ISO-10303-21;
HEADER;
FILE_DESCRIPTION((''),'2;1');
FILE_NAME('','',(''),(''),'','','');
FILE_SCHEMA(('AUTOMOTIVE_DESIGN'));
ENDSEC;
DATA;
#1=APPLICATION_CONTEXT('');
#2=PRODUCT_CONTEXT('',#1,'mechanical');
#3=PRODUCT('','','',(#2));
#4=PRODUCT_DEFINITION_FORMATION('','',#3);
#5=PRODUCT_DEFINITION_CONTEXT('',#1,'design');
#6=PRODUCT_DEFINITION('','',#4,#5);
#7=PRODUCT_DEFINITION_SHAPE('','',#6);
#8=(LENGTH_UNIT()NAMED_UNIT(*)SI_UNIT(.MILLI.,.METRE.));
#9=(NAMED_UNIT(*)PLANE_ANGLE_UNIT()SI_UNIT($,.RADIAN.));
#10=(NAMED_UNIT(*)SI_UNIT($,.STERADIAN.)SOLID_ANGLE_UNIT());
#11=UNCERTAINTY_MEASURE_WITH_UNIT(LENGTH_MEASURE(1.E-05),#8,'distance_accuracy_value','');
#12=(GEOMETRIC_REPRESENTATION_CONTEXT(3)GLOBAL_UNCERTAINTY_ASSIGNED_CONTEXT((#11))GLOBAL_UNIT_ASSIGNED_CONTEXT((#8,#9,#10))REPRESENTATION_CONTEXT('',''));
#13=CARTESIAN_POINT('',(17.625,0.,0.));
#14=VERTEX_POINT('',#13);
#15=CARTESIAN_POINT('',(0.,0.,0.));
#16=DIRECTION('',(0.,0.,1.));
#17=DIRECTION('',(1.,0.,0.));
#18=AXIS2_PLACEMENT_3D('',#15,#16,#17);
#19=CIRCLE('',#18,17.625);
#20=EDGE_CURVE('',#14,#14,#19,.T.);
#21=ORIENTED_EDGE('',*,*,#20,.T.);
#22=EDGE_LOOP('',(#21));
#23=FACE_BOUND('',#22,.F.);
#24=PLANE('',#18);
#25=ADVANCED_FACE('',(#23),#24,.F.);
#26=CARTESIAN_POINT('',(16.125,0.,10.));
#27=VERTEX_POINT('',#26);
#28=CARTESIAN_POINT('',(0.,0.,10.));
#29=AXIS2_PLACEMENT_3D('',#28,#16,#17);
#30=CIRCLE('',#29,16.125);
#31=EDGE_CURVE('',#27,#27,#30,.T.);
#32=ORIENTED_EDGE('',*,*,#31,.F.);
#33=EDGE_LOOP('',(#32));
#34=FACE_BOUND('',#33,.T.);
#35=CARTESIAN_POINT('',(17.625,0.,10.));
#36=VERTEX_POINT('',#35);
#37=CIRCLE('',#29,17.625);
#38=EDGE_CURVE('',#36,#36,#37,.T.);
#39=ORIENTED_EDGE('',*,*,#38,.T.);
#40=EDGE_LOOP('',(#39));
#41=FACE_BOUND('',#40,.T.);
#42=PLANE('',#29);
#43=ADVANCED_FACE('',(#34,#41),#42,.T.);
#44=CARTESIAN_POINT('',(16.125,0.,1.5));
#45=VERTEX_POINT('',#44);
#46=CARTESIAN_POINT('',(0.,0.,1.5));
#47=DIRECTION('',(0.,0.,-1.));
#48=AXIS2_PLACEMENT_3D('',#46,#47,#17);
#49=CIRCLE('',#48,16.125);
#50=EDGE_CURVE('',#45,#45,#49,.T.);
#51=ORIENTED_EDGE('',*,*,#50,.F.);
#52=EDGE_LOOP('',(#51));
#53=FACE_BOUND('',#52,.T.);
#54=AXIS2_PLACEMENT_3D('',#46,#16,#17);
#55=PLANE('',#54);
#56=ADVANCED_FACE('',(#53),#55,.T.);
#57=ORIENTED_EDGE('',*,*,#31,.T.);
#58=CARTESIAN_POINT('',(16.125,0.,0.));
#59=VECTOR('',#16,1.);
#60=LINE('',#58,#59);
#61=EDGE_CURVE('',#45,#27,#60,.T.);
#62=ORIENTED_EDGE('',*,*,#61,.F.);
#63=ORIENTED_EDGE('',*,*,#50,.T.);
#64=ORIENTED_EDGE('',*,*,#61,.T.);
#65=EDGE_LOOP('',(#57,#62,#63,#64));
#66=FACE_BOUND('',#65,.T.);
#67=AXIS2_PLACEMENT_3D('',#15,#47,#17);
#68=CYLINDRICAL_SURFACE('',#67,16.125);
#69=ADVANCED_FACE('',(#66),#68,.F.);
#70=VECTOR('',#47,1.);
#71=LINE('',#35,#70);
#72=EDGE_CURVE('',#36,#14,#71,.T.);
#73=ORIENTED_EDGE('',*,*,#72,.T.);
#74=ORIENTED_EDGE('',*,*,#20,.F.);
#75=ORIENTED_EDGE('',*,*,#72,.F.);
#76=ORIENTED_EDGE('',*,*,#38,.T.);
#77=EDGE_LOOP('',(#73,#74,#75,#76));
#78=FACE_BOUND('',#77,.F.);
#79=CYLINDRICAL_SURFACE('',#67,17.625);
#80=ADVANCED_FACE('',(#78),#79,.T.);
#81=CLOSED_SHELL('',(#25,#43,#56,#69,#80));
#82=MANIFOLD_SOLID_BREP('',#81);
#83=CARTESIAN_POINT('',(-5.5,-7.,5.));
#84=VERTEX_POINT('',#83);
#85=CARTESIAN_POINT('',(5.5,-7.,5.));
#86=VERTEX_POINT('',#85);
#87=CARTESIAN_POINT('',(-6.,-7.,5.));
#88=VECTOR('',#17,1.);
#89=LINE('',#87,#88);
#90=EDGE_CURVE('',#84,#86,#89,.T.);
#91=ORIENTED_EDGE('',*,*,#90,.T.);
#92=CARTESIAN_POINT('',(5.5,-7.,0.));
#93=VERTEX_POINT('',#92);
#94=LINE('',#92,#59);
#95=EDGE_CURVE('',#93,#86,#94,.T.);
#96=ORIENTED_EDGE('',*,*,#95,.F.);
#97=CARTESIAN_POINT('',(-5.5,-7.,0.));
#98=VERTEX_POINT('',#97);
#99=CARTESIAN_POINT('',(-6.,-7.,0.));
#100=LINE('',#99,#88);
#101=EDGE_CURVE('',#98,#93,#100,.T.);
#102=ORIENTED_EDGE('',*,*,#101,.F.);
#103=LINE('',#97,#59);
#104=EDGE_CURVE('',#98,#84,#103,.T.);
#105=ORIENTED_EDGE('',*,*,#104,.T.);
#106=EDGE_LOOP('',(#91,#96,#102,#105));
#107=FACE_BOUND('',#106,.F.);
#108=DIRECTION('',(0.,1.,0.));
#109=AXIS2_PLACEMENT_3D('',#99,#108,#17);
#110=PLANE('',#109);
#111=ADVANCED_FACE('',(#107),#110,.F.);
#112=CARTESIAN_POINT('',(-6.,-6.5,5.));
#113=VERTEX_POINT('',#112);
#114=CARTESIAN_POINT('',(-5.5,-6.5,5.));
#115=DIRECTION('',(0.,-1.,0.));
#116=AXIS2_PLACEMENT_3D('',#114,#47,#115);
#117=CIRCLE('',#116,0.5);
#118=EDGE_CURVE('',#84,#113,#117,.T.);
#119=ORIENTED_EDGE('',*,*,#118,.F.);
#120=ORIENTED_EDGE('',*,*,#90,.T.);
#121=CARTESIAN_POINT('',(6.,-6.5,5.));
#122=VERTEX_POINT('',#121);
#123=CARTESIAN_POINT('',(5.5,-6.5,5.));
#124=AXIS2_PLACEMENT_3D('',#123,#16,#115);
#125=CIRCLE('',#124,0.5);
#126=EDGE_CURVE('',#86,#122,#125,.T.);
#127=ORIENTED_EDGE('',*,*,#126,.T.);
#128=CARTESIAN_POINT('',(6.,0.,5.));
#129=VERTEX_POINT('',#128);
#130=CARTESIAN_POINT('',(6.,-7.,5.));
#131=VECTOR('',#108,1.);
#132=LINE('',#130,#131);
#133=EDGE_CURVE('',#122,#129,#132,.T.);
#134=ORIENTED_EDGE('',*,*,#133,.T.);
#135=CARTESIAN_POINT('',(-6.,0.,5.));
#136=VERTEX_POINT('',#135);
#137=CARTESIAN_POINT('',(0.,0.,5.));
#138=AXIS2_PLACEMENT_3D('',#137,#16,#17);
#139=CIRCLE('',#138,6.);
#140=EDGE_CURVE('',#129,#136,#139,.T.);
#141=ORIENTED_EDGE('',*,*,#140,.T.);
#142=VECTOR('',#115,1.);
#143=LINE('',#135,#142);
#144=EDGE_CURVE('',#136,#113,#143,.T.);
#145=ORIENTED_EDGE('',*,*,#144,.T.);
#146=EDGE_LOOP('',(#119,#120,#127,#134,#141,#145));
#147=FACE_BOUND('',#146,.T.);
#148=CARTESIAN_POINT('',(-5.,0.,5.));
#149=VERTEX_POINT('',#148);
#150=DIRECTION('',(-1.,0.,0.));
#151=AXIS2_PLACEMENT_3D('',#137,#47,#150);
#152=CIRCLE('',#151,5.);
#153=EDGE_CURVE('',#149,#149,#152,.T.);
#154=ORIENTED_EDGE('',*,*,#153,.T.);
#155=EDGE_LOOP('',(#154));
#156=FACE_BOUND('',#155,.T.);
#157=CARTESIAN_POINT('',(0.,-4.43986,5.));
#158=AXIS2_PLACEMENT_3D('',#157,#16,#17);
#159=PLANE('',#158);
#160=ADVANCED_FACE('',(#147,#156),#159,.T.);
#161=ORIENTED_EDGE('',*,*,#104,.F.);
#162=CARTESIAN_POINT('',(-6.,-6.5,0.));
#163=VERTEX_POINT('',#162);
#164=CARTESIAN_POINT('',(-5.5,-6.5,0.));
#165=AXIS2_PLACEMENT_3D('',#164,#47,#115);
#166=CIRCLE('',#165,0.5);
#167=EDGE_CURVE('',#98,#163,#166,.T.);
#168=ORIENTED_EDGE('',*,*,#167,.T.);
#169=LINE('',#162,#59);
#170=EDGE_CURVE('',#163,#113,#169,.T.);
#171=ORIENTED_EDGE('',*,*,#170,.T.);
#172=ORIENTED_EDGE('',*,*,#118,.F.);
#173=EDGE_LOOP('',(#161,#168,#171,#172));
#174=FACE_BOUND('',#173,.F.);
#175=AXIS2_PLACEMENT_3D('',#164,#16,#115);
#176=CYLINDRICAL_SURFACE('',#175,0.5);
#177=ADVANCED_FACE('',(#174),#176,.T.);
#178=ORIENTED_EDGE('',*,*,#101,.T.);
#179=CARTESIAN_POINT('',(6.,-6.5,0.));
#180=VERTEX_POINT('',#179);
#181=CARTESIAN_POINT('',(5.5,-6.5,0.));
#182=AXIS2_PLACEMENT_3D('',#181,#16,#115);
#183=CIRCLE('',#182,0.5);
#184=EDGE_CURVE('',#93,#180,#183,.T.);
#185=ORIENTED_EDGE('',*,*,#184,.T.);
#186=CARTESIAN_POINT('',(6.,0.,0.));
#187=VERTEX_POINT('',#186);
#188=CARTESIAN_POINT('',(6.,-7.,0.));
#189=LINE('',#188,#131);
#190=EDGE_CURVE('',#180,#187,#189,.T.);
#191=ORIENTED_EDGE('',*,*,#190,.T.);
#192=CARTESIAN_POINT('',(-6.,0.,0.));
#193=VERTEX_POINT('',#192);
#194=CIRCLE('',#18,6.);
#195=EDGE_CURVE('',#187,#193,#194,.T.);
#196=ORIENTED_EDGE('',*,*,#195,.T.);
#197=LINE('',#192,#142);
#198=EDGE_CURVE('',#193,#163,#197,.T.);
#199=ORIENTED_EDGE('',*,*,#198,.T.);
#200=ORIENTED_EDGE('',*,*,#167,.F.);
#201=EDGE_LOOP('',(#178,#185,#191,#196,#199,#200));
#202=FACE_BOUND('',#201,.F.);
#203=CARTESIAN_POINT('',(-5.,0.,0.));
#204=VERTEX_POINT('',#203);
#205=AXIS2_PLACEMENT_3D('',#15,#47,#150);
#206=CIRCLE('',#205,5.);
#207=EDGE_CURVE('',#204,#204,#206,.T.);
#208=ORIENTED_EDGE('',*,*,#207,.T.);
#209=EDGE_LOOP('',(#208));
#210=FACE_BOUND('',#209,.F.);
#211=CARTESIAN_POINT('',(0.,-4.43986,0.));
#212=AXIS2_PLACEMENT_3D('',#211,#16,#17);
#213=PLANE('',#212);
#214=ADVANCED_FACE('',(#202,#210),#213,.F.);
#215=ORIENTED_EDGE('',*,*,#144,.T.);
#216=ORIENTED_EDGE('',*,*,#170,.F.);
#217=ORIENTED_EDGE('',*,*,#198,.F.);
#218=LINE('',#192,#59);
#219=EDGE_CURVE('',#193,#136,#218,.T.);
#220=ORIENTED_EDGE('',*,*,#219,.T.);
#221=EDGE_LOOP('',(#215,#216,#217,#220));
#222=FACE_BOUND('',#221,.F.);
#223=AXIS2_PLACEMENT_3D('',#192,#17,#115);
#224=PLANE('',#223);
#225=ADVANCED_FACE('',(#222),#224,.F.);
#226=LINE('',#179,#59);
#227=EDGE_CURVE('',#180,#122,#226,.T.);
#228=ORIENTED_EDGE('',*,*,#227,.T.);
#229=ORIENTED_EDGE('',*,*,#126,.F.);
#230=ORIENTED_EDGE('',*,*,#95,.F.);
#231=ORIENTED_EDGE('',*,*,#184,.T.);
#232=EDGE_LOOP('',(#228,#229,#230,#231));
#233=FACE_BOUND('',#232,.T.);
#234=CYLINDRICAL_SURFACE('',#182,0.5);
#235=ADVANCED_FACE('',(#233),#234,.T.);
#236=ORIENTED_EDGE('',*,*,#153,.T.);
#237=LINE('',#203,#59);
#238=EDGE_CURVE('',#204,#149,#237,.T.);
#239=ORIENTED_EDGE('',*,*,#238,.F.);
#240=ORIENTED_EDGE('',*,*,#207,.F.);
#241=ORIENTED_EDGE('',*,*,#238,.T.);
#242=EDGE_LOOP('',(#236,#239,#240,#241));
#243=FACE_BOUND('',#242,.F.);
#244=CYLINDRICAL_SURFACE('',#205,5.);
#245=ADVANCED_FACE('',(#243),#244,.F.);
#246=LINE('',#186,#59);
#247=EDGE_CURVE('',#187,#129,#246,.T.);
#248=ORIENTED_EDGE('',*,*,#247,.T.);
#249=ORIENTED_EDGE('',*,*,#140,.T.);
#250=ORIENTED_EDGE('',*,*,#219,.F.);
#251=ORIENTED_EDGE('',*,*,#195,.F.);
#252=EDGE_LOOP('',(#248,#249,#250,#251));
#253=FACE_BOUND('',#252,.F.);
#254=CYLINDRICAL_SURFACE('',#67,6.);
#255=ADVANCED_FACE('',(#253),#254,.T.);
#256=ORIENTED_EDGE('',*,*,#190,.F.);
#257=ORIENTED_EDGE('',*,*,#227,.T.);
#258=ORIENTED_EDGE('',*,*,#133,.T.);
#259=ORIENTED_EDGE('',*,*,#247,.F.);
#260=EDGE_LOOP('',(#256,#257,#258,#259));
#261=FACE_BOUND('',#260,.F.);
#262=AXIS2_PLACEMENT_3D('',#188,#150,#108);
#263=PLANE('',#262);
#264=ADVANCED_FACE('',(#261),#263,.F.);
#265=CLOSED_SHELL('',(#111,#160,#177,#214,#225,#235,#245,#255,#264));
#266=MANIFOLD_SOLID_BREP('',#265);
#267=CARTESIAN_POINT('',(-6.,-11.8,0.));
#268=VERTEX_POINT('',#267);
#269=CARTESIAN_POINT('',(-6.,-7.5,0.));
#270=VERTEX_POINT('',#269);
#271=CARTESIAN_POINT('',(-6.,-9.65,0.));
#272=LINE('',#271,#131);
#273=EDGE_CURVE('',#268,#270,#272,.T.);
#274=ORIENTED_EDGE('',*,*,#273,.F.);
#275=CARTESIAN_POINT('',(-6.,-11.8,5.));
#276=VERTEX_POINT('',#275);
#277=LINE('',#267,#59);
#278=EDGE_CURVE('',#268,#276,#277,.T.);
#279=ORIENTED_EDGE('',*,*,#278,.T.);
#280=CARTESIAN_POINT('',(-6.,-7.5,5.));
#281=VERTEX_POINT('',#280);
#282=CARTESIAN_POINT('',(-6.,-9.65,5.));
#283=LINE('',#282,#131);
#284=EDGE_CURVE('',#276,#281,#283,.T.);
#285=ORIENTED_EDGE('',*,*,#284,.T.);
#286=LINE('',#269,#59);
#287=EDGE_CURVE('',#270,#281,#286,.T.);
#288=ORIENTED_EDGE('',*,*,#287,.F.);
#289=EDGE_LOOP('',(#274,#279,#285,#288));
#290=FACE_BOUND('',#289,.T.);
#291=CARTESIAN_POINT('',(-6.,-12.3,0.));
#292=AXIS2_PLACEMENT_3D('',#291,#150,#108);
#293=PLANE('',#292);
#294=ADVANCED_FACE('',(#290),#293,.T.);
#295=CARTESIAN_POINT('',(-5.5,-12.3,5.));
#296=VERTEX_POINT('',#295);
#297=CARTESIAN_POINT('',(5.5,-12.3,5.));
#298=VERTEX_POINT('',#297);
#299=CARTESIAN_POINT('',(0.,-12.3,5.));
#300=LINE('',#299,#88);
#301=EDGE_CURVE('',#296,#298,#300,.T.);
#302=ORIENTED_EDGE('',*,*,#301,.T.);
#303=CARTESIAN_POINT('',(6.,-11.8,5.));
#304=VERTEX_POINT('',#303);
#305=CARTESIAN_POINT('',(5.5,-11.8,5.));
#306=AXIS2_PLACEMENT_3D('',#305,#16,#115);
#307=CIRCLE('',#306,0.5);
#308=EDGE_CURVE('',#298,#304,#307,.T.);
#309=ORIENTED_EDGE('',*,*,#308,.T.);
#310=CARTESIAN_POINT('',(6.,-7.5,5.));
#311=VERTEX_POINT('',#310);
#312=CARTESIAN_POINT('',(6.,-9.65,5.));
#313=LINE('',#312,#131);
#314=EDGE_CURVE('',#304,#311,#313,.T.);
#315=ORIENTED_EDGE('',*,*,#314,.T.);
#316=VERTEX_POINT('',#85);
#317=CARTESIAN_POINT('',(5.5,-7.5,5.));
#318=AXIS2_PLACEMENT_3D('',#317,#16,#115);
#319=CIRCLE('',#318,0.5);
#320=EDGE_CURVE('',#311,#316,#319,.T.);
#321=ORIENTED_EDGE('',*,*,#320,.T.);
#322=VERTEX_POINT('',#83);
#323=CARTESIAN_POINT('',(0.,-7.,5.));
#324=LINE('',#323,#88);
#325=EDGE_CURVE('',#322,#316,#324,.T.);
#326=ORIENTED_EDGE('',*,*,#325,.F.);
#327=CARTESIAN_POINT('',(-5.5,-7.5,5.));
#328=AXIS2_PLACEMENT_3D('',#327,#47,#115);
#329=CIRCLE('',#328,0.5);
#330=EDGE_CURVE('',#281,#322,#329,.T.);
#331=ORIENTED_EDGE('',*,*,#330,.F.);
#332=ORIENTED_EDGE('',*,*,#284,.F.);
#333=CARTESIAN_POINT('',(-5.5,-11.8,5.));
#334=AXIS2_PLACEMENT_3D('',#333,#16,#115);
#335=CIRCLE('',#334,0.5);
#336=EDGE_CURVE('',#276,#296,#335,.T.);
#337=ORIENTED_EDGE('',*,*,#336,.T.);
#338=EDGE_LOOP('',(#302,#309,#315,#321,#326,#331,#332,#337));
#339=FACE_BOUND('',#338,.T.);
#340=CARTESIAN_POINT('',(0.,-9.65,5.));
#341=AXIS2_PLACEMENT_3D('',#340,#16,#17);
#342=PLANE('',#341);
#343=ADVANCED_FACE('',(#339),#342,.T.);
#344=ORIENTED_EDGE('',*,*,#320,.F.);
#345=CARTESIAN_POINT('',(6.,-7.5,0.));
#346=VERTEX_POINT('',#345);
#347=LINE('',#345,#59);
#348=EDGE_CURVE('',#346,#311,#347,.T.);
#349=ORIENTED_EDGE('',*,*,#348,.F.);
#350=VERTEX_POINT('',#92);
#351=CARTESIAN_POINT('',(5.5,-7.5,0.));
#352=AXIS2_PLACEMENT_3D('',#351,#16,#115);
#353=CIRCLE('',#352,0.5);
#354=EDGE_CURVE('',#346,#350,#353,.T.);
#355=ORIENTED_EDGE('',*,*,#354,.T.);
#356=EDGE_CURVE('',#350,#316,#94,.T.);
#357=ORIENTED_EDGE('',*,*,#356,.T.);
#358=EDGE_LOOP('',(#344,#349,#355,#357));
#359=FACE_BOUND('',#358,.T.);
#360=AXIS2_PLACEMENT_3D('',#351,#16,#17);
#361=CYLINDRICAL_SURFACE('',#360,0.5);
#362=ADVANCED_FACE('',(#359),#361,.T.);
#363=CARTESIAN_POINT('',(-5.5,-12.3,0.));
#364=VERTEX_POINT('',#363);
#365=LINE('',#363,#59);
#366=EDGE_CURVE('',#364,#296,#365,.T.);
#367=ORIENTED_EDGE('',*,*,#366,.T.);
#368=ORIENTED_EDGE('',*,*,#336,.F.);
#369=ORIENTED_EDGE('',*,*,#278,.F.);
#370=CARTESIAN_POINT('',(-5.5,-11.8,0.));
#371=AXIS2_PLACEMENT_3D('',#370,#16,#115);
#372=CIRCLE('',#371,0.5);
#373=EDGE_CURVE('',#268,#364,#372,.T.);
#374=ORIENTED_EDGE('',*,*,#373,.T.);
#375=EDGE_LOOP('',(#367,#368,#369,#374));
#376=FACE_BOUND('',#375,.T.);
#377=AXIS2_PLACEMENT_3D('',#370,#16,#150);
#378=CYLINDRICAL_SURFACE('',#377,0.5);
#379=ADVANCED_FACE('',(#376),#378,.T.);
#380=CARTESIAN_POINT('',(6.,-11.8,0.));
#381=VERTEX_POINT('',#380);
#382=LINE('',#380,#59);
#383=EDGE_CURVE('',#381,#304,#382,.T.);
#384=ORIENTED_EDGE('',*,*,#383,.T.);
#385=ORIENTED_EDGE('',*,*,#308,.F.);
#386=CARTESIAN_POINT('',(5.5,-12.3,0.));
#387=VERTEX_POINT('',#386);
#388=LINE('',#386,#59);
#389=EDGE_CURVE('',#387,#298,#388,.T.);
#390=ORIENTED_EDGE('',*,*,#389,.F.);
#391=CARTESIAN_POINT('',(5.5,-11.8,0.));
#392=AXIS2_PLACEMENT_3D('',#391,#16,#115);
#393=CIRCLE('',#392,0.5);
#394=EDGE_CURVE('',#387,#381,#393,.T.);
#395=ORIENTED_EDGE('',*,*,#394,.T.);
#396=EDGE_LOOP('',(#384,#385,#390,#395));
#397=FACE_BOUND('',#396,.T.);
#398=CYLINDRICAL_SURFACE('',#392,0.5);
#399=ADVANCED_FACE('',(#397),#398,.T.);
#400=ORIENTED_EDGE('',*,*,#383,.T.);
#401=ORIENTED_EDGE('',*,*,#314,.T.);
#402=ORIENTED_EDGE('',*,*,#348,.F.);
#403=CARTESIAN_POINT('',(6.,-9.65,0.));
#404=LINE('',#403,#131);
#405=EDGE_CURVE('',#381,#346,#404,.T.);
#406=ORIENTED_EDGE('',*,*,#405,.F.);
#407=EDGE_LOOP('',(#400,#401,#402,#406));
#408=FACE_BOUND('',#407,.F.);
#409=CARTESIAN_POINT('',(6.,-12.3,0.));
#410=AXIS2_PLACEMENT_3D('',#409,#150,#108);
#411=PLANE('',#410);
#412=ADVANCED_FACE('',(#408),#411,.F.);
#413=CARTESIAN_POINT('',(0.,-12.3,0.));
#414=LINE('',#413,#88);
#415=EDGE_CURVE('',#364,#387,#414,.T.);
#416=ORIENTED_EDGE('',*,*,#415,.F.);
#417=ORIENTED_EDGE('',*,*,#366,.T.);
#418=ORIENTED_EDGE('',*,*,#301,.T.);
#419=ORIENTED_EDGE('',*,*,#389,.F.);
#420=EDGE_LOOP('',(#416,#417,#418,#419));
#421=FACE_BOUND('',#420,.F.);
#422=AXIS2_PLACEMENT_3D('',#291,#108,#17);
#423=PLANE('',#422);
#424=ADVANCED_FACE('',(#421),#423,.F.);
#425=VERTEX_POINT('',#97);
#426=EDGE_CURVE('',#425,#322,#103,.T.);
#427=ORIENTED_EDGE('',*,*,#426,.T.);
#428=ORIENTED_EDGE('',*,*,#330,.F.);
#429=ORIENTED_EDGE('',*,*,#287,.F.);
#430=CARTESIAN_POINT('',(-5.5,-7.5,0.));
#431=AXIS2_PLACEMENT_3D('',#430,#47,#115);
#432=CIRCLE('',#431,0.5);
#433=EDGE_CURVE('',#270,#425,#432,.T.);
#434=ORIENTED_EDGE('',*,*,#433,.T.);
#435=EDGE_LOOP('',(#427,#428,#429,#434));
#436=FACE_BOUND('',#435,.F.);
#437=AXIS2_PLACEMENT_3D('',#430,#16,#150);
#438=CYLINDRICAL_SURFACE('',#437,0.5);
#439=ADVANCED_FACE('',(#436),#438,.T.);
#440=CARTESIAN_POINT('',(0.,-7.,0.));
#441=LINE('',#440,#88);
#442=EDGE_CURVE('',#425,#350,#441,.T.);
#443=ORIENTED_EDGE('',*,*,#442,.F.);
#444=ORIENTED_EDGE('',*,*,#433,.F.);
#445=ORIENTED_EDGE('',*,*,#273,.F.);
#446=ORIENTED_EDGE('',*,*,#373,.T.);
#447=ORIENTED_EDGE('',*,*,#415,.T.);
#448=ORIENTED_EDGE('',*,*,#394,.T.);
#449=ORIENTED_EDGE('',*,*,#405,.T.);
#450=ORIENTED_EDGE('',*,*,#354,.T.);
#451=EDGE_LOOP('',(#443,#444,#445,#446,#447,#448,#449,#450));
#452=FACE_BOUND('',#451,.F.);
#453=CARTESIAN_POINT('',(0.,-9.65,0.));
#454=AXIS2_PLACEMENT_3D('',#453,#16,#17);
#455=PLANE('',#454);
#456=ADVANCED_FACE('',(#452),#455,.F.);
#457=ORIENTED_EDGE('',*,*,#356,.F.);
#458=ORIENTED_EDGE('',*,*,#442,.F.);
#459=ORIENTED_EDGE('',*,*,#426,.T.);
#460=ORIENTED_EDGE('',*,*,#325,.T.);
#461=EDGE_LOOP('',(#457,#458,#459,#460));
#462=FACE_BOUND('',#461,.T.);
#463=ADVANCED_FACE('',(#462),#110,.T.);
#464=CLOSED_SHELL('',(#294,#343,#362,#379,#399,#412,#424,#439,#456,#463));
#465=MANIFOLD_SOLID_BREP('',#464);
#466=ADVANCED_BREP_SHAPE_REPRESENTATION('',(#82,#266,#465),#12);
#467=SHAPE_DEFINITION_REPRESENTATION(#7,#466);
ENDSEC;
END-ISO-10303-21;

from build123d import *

# Parameters (mm, degrees)
F0_R     = 17.625
F0_R_2   = 16.125
F1_DEPTH = 1.5
F2_DEPTH = 10
F4_DEPTH = 5
F3_W     = 12
F3_H     = 5.3
F5_DEPTH = 5
F6_R     = 0.5
F6_2_R   = 0.5


with BuildPart() as f1:
    # F0 (on Top) → F1 (new body)
    with BuildSketch(Plane.XY):
        Circle(F0_R)
        Circle(F0_R_2, mode=Mode.SUBTRACT)
        Circle(F0_R_2)
    extrude(amount=F1_DEPTH)

    # F0 (on Top) → F2 (join)
    with BuildSketch(Plane.XY):
        Circle(F0_R)
        Circle(F0_R_2, mode=Mode.SUBTRACT)
    extrude(amount=F2_DEPTH)


with BuildPart() as f4:
    # F3 (on Top) → F4 (new body)
    with BuildSketch(Plane.XY):
        with BuildLine():
            Line((6, -7), (6, 0))
            ThreePointArc((6, 0), (0, -6), (-6, 0))
            Line((-6, 0), (-6, -7))
            Line((-6, -7), (6, -7))
        make_face()
        with BuildLine():
            ThreePointArc((-6, 0), (0, -6), (6, 0))
            Line((6, 0), (5, 0))
            ThreePointArc((5, 0), (0, -5), (-5, 0))
            Line((-5, 0), (-6, 0))
        make_face()
        with BuildLine():
            Line((5, 0), (6, 0))
            ThreePointArc((6, 0), (0, 6), (-6, 0))
            Line((-6, 0), (-5, 0))
            ThreePointArc((-5, 0), (0, 5), (5, 0))
        make_face()
    extrude(amount=F4_DEPTH)

    # F6
    f6_edges = [f4.edges().sort_by_distance(p)[0] for p in [
        (-6, -7, 2.5),
        (6, -7, 2.5),
    ]]
    fillet(f6_edges, radius=F6_R)


with BuildPart() as f5:
    # F3 (on Top) → F5 (new body)
    with BuildSketch(Plane.XY):
        with Locations((0, -9.65)):
            Rectangle(F3_W, F3_H)
    extrude(amount=F5_DEPTH)

    # F6#2
    f6_2_edges = [f5.edges().sort_by_distance(p)[0] for p in [
        (-6, -7, 2.5),
        (6, -7, 2.5),
        (6, -12.3, 2.5),
        (-6, -12.3, 2.5),
    ]]
    fillet(f6_2_edges, radius=F6_2_R)


solid = Compound([f1.part, f4.part, f5.part])
